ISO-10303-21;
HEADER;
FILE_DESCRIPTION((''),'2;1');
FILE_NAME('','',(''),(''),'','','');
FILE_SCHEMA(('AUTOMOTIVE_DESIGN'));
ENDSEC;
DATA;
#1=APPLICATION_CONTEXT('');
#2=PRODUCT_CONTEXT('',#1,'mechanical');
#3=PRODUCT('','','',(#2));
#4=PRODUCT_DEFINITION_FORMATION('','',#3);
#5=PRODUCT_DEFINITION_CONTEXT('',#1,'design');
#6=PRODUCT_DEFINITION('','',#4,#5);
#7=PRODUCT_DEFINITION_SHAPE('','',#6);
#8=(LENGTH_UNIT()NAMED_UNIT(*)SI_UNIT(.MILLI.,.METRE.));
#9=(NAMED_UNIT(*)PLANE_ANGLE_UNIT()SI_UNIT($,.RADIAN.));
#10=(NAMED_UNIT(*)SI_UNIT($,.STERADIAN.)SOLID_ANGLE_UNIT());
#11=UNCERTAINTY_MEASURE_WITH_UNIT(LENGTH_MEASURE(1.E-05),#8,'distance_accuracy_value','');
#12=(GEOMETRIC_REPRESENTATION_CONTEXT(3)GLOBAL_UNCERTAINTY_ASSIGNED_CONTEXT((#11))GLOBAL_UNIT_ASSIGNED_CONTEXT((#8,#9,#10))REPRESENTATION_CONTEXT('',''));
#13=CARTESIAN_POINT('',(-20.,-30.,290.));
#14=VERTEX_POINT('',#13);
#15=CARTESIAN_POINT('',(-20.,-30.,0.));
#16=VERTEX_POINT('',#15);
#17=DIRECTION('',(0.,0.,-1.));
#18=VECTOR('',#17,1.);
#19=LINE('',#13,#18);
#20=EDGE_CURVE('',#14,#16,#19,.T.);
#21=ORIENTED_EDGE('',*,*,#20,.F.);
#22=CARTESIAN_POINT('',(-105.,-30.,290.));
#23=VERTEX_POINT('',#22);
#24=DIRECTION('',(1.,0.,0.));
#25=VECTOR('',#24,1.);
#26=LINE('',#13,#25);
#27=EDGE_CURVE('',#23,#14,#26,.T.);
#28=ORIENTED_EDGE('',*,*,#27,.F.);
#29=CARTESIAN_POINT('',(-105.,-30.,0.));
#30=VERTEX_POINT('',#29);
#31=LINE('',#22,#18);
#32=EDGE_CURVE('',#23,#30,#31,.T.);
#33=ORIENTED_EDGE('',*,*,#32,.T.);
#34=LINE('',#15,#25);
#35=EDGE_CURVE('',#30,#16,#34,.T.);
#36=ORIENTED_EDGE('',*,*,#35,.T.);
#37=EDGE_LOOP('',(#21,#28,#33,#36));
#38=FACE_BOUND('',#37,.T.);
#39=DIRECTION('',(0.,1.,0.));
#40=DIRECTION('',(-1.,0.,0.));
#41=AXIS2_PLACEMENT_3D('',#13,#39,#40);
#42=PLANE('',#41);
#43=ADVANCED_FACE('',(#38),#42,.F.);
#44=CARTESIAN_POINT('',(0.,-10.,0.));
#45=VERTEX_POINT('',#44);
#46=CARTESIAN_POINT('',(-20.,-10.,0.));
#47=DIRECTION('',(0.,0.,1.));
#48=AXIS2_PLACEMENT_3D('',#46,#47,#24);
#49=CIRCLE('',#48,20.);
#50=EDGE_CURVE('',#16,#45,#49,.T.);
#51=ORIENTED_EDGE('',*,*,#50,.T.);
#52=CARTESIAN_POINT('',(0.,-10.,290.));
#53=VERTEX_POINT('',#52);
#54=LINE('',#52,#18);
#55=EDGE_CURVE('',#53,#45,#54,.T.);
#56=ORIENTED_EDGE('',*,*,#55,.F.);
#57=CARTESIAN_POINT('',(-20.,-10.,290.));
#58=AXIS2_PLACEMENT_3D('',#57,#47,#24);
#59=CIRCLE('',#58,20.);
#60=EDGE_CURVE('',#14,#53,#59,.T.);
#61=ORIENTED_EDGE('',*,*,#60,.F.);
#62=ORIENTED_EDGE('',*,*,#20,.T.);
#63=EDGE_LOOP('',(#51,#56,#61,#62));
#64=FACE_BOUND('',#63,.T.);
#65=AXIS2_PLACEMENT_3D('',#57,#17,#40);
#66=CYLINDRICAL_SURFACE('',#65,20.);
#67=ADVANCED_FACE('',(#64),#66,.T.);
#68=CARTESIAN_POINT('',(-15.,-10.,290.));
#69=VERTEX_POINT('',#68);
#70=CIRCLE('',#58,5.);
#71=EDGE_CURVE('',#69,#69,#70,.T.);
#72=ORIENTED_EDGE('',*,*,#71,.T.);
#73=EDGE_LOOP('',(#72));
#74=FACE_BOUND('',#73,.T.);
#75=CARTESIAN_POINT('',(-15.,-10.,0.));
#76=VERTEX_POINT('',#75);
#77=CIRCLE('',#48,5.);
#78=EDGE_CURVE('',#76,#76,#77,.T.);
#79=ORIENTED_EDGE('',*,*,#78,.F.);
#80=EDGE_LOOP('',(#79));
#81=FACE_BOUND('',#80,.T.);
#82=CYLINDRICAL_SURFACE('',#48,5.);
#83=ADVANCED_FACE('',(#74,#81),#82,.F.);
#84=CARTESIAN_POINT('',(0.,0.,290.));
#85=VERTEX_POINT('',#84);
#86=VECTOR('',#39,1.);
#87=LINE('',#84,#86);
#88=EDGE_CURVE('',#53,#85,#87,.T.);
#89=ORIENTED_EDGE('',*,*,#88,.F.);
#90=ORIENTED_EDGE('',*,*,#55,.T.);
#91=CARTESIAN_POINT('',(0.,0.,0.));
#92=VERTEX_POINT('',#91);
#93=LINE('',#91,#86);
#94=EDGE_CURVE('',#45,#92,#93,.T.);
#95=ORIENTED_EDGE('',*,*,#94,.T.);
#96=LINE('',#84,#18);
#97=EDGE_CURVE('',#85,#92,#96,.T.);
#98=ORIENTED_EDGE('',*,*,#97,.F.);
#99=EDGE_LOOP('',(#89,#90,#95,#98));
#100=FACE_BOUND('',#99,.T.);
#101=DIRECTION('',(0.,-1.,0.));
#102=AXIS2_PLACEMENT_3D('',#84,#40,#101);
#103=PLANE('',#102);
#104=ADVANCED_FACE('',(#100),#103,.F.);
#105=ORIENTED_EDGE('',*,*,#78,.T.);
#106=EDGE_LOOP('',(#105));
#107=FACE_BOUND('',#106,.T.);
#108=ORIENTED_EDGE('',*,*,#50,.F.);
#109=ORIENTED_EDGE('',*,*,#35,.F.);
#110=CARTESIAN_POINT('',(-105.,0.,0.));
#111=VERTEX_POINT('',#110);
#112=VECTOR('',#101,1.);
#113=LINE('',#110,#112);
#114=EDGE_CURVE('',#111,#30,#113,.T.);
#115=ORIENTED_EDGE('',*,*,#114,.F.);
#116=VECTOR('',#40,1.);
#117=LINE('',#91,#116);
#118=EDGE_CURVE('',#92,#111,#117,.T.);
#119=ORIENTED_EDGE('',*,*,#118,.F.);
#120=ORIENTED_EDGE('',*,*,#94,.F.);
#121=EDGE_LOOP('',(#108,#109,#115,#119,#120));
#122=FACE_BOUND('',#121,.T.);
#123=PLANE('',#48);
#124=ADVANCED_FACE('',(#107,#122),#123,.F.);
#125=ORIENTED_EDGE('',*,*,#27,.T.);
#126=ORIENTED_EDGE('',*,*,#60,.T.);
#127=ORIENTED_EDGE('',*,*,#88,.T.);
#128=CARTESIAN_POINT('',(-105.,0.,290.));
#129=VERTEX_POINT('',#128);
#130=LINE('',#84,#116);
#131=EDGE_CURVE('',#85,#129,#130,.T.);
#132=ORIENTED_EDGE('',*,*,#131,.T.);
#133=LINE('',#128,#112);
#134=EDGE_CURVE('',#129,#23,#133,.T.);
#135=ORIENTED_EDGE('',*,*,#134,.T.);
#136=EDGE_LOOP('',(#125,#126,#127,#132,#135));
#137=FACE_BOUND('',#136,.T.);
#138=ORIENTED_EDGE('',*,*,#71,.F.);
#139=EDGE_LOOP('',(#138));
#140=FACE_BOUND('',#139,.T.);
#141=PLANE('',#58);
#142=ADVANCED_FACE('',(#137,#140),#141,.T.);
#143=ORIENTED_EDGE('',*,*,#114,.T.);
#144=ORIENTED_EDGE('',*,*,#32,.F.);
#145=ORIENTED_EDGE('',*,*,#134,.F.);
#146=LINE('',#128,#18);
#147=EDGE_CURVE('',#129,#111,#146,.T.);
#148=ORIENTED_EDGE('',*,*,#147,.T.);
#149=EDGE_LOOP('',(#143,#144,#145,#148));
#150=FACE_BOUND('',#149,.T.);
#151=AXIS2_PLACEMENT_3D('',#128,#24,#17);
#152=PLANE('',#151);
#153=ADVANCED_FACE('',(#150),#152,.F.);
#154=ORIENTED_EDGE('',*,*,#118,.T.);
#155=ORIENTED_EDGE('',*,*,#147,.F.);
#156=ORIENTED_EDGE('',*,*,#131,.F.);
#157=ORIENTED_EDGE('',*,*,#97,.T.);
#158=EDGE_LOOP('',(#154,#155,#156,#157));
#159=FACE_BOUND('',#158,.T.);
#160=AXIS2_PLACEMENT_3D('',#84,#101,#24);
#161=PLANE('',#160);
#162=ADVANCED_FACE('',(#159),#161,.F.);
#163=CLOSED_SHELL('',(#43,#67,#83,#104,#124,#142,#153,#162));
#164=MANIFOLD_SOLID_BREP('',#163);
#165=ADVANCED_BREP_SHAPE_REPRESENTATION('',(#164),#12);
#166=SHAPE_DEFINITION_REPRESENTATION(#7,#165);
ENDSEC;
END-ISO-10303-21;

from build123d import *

# Parameters (mm, degrees)
EXTRUDE_1_DEPTH     = 290
SKETCH_2_R          = 5
CUT_EXTRUDE_1_DEPTH = 291


with BuildPart() as part:
    # 草图1 → 凸台-拉伸1 (new body)
    with BuildSketch(Plane.XY):
        with BuildLine():
            Line((0, 0), (-105, 0))
            Line((-105, 0), (-105, -30))
            Line((-105, -30), (-20, -30))
            ThreePointArc((-20, -30), (-5.857864376, -24.142135624), (0, -10))
            Line((0, -10), (0, 0))
        make_face()
    extrude(amount=EXTRUDE_1_DEPTH)

    # 草图2 → 切除-拉伸1 (cut, through all)
    with BuildSketch(Plane.XY.offset(290)):
        with Locations((-20, -10)):
            Circle(SKETCH_2_R)
    extrude(amount=-CUT_EXTRUDE_1_DEPTH, mode=Mode.SUBTRACT)


solid = part.part
